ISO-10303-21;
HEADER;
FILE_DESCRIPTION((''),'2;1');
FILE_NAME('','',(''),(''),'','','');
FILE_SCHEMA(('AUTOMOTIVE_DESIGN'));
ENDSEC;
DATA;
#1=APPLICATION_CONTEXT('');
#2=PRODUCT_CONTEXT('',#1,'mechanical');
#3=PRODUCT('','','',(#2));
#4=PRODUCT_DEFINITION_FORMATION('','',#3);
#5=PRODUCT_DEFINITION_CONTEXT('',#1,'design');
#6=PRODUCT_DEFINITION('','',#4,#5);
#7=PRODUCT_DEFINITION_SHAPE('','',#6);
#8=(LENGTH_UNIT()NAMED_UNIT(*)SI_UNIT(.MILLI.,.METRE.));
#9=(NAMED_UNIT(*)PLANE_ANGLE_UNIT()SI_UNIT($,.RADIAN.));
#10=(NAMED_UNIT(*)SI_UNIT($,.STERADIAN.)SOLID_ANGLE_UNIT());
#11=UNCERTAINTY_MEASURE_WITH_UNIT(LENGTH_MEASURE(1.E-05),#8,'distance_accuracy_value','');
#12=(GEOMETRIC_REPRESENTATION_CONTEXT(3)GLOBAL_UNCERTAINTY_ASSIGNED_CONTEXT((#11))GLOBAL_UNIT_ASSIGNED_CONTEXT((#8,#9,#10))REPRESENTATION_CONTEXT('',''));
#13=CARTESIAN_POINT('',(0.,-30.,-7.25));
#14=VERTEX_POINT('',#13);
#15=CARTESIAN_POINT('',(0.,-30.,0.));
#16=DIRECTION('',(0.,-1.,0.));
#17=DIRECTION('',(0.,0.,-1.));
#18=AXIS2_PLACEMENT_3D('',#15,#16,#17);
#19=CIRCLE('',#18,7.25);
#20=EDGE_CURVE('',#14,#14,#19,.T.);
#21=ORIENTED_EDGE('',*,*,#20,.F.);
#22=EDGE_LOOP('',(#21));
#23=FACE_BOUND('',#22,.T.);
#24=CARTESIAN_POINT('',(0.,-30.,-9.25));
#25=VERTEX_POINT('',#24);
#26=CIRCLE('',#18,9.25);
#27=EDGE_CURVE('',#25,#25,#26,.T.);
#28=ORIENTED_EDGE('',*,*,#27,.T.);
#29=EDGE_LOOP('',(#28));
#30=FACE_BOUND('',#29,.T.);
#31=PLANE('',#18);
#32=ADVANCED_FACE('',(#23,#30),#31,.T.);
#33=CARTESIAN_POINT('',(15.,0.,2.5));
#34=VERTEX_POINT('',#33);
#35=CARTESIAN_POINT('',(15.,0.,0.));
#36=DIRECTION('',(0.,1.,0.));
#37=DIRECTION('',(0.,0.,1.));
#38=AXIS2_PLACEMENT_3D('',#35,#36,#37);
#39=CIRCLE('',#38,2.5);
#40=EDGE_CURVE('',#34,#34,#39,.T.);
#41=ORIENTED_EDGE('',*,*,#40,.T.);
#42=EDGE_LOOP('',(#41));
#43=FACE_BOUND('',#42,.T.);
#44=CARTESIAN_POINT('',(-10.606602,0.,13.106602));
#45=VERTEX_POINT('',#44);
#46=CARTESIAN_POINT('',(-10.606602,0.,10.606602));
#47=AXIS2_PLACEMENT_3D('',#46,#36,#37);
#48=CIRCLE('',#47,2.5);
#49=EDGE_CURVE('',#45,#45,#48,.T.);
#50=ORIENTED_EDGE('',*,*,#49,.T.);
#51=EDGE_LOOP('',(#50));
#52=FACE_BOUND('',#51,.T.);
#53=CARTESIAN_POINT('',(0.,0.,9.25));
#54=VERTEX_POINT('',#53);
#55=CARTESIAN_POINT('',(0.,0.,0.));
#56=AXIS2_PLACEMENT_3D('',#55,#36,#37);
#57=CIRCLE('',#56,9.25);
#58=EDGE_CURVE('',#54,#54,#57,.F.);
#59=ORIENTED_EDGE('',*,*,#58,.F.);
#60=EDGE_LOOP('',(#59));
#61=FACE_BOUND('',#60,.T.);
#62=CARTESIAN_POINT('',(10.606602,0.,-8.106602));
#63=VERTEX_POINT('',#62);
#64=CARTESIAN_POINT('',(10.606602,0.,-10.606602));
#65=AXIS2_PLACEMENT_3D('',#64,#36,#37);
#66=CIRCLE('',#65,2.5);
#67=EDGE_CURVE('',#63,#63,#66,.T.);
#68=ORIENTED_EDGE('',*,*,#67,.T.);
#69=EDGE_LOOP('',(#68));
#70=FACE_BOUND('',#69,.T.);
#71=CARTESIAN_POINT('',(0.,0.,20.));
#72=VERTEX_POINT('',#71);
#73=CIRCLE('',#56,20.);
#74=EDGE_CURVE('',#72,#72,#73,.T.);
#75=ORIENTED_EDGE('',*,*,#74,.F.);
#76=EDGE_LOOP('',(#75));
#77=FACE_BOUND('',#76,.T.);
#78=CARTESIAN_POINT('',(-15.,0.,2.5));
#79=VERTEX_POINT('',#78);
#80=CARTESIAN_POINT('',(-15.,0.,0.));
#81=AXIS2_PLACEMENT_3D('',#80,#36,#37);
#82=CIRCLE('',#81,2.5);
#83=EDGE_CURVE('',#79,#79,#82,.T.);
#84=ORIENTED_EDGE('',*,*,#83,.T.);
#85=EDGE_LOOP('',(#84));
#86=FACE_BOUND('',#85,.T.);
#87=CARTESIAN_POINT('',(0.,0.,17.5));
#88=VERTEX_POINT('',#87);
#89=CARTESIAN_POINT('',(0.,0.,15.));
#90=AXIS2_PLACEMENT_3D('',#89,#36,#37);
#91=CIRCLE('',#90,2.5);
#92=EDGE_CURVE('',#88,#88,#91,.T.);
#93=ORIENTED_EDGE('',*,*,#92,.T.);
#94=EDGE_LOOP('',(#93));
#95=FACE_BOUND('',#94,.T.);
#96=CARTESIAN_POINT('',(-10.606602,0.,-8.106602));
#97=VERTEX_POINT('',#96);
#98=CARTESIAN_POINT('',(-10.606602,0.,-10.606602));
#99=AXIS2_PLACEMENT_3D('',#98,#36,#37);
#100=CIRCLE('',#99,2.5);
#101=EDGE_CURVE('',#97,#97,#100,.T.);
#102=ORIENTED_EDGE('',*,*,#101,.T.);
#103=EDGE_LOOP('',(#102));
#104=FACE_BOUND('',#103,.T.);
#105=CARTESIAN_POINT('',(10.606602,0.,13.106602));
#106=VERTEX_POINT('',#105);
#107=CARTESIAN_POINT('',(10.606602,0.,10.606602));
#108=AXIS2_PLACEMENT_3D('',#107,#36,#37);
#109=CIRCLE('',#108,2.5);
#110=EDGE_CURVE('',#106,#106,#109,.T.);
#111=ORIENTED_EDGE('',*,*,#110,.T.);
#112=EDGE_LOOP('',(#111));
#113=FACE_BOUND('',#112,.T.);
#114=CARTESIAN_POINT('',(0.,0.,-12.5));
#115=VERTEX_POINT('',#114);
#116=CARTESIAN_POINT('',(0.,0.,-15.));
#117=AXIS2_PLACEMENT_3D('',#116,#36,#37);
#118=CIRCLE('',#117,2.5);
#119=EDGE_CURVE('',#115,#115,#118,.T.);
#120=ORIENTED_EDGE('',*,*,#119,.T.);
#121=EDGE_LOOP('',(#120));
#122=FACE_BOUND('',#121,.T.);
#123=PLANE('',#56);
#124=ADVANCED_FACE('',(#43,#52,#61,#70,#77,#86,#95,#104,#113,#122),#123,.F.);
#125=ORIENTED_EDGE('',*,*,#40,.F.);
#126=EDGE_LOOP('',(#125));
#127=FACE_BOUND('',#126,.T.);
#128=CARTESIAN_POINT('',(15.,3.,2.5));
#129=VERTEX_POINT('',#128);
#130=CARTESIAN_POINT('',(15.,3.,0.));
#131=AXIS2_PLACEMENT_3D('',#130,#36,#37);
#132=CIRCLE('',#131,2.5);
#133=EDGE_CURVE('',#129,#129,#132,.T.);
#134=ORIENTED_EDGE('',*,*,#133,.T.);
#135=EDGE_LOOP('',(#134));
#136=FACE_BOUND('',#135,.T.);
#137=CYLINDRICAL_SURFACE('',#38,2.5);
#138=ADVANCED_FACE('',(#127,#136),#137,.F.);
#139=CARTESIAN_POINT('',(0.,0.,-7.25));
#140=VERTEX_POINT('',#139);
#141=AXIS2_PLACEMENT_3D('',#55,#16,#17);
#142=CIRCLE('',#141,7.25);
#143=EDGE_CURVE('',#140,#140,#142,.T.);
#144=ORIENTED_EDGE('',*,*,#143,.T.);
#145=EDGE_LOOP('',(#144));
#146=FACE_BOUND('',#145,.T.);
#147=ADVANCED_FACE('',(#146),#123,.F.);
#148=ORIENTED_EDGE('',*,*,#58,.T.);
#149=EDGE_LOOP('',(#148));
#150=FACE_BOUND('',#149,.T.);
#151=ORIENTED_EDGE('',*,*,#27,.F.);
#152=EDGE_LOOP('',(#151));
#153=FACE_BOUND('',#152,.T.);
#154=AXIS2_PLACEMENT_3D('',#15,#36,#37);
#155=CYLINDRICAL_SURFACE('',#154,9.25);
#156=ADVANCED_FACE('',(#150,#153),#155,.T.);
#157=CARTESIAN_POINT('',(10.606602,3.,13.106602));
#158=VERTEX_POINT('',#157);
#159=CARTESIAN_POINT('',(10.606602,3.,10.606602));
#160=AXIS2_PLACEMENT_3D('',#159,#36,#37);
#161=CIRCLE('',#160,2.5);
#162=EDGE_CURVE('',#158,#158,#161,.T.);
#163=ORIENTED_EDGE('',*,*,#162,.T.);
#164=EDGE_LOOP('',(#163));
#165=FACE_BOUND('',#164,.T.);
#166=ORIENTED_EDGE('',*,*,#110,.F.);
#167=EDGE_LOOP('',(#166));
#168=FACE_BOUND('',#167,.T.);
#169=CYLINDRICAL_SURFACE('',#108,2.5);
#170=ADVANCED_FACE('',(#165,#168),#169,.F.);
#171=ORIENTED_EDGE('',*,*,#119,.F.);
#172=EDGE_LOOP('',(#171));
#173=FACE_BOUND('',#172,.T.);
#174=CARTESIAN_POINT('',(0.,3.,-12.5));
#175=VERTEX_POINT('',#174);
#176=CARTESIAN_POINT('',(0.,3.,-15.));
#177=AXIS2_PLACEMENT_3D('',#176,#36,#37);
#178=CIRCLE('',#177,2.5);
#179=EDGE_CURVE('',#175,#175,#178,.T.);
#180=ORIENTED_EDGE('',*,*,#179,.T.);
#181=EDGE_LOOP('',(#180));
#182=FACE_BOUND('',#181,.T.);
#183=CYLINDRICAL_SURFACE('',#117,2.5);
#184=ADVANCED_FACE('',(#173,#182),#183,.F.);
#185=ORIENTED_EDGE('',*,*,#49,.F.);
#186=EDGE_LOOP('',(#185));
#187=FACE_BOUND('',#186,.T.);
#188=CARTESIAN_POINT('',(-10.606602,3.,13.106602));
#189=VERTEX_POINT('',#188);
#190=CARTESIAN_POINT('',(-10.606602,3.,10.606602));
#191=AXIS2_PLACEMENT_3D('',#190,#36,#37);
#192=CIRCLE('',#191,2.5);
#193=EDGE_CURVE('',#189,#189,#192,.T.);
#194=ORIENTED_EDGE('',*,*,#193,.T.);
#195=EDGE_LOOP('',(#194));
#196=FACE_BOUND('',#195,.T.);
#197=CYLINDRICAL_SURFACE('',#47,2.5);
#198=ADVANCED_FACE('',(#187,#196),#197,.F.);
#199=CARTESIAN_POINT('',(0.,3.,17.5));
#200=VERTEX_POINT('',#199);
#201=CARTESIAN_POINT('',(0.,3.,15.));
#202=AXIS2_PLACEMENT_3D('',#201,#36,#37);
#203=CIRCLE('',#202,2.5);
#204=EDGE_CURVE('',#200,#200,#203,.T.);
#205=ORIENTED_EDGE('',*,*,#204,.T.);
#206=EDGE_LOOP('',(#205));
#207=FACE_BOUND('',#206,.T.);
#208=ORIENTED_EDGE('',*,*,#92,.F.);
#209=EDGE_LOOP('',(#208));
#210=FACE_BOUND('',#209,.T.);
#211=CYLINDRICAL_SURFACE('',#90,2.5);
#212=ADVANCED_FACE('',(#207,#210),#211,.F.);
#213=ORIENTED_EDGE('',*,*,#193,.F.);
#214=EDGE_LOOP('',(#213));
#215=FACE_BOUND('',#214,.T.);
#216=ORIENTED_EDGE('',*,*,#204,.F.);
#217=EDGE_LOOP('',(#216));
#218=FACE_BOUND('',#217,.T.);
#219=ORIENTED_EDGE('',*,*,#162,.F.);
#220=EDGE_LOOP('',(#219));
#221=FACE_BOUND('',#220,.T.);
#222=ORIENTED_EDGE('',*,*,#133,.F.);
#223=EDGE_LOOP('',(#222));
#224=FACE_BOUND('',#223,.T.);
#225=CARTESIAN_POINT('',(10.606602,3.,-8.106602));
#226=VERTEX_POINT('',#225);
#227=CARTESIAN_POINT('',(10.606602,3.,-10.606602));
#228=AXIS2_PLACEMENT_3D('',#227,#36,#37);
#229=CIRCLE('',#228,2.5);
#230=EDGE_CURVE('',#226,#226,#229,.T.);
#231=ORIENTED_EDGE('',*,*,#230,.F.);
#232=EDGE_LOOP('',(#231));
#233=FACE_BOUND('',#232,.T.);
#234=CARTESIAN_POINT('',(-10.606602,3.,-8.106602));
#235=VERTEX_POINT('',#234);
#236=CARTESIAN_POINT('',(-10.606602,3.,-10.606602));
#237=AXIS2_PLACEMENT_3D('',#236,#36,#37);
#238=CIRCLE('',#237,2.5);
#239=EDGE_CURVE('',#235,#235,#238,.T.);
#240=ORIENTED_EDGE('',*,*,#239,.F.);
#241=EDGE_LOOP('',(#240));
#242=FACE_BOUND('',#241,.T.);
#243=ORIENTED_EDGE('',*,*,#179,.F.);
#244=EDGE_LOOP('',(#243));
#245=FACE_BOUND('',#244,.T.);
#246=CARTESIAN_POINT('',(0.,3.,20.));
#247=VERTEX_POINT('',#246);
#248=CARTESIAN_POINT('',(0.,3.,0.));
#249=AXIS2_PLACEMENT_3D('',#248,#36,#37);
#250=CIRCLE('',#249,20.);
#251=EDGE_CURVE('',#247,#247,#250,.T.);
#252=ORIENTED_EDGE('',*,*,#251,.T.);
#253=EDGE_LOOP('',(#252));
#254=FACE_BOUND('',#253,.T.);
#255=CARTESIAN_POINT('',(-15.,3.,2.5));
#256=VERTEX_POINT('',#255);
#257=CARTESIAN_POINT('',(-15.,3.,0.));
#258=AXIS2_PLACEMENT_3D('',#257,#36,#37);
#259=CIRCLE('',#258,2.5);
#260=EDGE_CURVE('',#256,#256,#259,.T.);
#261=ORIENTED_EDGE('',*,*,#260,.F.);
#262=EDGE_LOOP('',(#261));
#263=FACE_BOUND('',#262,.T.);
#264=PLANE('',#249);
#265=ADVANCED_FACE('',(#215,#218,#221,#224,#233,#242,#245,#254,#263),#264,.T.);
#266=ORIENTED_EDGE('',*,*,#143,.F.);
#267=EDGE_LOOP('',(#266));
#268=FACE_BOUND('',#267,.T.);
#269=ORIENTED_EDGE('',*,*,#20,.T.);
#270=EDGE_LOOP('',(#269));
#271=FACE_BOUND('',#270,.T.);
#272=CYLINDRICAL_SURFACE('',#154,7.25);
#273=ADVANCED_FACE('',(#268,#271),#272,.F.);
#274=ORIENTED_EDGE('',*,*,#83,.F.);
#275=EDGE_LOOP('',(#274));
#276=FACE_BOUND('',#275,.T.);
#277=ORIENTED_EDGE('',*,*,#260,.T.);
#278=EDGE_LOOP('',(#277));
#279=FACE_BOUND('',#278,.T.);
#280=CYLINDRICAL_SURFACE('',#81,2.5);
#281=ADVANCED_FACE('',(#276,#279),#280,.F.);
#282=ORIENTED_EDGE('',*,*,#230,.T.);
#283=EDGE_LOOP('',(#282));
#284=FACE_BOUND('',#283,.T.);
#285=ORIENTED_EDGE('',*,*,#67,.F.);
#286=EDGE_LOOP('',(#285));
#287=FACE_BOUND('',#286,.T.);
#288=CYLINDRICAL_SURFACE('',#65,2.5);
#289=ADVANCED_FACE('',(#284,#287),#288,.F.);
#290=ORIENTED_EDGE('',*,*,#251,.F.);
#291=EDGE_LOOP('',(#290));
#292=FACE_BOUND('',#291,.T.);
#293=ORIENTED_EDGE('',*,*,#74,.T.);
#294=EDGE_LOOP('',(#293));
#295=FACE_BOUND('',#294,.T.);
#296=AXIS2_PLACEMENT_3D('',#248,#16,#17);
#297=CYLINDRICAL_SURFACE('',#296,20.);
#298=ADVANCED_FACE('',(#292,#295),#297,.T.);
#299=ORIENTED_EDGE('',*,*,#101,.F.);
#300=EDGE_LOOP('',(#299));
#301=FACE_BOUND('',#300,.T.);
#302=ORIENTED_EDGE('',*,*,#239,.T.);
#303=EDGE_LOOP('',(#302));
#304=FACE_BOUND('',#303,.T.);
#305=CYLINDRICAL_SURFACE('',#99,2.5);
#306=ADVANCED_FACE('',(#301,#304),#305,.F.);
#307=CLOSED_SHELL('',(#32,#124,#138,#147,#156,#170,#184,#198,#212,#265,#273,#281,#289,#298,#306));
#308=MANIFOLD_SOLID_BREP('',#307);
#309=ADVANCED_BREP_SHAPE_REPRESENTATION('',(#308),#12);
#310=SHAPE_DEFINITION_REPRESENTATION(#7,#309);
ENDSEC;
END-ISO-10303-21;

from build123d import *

# Parameters (mm, degrees)
SKETCH1_R           = 20
SKETCH1_R_2         = 10
BOSS_EXTRUDE1_DEPTH = 3
SKETCH2_R           = 2.5
CUT_EXTRUDE1_DEPTH  = 3
SKETCH3_R           = 9.25
SKETCH3_R_2         = 7.25
BOSS_EXTRUDE2_DEPTH = 30


with BuildPart() as part:
    # Sketch1 → Boss-Extrude1 (new body)
    # profile 1 of 2: a face of its own
    with BuildSketch(Plane(origin=(0, 0, 0), x_dir=(1, 0, 0), z_dir=(0, 1, 0))):
        with Locations(Location((0, 0, 0), (0, 0, 270))):
            Circle(SKETCH1_R)
        Circle(SKETCH1_R_2, mode=Mode.SUBTRACT)
    # profile 2 of 2: a face of its own
    with BuildSketch(Plane(origin=(0, 0, 0), x_dir=(1, 0, 0), z_dir=(0, 1, 0))):
        Circle(SKETCH1_R_2)
    extrude(amount=BOSS_EXTRUDE1_DEPTH)

    # Sketch2 → Cut-Extrude1 (cut)
    with BuildSketch(Plane(origin=(0, 3, 0), x_dir=(1, 0, 0), z_dir=(0, 1, 0))):
        with Locations(Location((0, 15, 0), (0, 0, 270))):
            Circle(SKETCH2_R)
        with Locations(Location((10.606601718, 10.606601718, 0), (0, 0, 270))):
            Circle(SKETCH2_R)
        with Locations(Location((15, 0, 0), (0, 0, 270))):
            Circle(SKETCH2_R)
        with Locations(Location((10.606601718, -10.606601718, 0), (0, 0, 270))):
            Circle(SKETCH2_R)
        with Locations(Location((0, -15, 0), (0, 0, 270))):
            Circle(SKETCH2_R)
        with Locations(Location((-10.606601718, -10.606601718, 0), (0, 0, 270))):
            Circle(SKETCH2_R)
        with Locations(Location((-15, 0, 0), (0, 0, 270))):
            Circle(SKETCH2_R)
        with Locations(Location((-10.606601718, 10.606601718, 0), (0, 0, 270))):
            Circle(SKETCH2_R)
    extrude(amount=-CUT_EXTRUDE1_DEPTH, mode=Mode.SUBTRACT)

    # Sketch3 → Boss-Extrude2 (add)
    with BuildSketch(Plane.XZ):
        with Locations(Location((0, 0, 0), (0, 0, 90))):
            Circle(SKETCH3_R)
        with Locations(Location((0, 0, 0), (0, 0, 270))):
            Circle(SKETCH3_R_2, mode=Mode.SUBTRACT)
    extrude(amount=BOSS_EXTRUDE2_DEPTH)


solid = part.part
